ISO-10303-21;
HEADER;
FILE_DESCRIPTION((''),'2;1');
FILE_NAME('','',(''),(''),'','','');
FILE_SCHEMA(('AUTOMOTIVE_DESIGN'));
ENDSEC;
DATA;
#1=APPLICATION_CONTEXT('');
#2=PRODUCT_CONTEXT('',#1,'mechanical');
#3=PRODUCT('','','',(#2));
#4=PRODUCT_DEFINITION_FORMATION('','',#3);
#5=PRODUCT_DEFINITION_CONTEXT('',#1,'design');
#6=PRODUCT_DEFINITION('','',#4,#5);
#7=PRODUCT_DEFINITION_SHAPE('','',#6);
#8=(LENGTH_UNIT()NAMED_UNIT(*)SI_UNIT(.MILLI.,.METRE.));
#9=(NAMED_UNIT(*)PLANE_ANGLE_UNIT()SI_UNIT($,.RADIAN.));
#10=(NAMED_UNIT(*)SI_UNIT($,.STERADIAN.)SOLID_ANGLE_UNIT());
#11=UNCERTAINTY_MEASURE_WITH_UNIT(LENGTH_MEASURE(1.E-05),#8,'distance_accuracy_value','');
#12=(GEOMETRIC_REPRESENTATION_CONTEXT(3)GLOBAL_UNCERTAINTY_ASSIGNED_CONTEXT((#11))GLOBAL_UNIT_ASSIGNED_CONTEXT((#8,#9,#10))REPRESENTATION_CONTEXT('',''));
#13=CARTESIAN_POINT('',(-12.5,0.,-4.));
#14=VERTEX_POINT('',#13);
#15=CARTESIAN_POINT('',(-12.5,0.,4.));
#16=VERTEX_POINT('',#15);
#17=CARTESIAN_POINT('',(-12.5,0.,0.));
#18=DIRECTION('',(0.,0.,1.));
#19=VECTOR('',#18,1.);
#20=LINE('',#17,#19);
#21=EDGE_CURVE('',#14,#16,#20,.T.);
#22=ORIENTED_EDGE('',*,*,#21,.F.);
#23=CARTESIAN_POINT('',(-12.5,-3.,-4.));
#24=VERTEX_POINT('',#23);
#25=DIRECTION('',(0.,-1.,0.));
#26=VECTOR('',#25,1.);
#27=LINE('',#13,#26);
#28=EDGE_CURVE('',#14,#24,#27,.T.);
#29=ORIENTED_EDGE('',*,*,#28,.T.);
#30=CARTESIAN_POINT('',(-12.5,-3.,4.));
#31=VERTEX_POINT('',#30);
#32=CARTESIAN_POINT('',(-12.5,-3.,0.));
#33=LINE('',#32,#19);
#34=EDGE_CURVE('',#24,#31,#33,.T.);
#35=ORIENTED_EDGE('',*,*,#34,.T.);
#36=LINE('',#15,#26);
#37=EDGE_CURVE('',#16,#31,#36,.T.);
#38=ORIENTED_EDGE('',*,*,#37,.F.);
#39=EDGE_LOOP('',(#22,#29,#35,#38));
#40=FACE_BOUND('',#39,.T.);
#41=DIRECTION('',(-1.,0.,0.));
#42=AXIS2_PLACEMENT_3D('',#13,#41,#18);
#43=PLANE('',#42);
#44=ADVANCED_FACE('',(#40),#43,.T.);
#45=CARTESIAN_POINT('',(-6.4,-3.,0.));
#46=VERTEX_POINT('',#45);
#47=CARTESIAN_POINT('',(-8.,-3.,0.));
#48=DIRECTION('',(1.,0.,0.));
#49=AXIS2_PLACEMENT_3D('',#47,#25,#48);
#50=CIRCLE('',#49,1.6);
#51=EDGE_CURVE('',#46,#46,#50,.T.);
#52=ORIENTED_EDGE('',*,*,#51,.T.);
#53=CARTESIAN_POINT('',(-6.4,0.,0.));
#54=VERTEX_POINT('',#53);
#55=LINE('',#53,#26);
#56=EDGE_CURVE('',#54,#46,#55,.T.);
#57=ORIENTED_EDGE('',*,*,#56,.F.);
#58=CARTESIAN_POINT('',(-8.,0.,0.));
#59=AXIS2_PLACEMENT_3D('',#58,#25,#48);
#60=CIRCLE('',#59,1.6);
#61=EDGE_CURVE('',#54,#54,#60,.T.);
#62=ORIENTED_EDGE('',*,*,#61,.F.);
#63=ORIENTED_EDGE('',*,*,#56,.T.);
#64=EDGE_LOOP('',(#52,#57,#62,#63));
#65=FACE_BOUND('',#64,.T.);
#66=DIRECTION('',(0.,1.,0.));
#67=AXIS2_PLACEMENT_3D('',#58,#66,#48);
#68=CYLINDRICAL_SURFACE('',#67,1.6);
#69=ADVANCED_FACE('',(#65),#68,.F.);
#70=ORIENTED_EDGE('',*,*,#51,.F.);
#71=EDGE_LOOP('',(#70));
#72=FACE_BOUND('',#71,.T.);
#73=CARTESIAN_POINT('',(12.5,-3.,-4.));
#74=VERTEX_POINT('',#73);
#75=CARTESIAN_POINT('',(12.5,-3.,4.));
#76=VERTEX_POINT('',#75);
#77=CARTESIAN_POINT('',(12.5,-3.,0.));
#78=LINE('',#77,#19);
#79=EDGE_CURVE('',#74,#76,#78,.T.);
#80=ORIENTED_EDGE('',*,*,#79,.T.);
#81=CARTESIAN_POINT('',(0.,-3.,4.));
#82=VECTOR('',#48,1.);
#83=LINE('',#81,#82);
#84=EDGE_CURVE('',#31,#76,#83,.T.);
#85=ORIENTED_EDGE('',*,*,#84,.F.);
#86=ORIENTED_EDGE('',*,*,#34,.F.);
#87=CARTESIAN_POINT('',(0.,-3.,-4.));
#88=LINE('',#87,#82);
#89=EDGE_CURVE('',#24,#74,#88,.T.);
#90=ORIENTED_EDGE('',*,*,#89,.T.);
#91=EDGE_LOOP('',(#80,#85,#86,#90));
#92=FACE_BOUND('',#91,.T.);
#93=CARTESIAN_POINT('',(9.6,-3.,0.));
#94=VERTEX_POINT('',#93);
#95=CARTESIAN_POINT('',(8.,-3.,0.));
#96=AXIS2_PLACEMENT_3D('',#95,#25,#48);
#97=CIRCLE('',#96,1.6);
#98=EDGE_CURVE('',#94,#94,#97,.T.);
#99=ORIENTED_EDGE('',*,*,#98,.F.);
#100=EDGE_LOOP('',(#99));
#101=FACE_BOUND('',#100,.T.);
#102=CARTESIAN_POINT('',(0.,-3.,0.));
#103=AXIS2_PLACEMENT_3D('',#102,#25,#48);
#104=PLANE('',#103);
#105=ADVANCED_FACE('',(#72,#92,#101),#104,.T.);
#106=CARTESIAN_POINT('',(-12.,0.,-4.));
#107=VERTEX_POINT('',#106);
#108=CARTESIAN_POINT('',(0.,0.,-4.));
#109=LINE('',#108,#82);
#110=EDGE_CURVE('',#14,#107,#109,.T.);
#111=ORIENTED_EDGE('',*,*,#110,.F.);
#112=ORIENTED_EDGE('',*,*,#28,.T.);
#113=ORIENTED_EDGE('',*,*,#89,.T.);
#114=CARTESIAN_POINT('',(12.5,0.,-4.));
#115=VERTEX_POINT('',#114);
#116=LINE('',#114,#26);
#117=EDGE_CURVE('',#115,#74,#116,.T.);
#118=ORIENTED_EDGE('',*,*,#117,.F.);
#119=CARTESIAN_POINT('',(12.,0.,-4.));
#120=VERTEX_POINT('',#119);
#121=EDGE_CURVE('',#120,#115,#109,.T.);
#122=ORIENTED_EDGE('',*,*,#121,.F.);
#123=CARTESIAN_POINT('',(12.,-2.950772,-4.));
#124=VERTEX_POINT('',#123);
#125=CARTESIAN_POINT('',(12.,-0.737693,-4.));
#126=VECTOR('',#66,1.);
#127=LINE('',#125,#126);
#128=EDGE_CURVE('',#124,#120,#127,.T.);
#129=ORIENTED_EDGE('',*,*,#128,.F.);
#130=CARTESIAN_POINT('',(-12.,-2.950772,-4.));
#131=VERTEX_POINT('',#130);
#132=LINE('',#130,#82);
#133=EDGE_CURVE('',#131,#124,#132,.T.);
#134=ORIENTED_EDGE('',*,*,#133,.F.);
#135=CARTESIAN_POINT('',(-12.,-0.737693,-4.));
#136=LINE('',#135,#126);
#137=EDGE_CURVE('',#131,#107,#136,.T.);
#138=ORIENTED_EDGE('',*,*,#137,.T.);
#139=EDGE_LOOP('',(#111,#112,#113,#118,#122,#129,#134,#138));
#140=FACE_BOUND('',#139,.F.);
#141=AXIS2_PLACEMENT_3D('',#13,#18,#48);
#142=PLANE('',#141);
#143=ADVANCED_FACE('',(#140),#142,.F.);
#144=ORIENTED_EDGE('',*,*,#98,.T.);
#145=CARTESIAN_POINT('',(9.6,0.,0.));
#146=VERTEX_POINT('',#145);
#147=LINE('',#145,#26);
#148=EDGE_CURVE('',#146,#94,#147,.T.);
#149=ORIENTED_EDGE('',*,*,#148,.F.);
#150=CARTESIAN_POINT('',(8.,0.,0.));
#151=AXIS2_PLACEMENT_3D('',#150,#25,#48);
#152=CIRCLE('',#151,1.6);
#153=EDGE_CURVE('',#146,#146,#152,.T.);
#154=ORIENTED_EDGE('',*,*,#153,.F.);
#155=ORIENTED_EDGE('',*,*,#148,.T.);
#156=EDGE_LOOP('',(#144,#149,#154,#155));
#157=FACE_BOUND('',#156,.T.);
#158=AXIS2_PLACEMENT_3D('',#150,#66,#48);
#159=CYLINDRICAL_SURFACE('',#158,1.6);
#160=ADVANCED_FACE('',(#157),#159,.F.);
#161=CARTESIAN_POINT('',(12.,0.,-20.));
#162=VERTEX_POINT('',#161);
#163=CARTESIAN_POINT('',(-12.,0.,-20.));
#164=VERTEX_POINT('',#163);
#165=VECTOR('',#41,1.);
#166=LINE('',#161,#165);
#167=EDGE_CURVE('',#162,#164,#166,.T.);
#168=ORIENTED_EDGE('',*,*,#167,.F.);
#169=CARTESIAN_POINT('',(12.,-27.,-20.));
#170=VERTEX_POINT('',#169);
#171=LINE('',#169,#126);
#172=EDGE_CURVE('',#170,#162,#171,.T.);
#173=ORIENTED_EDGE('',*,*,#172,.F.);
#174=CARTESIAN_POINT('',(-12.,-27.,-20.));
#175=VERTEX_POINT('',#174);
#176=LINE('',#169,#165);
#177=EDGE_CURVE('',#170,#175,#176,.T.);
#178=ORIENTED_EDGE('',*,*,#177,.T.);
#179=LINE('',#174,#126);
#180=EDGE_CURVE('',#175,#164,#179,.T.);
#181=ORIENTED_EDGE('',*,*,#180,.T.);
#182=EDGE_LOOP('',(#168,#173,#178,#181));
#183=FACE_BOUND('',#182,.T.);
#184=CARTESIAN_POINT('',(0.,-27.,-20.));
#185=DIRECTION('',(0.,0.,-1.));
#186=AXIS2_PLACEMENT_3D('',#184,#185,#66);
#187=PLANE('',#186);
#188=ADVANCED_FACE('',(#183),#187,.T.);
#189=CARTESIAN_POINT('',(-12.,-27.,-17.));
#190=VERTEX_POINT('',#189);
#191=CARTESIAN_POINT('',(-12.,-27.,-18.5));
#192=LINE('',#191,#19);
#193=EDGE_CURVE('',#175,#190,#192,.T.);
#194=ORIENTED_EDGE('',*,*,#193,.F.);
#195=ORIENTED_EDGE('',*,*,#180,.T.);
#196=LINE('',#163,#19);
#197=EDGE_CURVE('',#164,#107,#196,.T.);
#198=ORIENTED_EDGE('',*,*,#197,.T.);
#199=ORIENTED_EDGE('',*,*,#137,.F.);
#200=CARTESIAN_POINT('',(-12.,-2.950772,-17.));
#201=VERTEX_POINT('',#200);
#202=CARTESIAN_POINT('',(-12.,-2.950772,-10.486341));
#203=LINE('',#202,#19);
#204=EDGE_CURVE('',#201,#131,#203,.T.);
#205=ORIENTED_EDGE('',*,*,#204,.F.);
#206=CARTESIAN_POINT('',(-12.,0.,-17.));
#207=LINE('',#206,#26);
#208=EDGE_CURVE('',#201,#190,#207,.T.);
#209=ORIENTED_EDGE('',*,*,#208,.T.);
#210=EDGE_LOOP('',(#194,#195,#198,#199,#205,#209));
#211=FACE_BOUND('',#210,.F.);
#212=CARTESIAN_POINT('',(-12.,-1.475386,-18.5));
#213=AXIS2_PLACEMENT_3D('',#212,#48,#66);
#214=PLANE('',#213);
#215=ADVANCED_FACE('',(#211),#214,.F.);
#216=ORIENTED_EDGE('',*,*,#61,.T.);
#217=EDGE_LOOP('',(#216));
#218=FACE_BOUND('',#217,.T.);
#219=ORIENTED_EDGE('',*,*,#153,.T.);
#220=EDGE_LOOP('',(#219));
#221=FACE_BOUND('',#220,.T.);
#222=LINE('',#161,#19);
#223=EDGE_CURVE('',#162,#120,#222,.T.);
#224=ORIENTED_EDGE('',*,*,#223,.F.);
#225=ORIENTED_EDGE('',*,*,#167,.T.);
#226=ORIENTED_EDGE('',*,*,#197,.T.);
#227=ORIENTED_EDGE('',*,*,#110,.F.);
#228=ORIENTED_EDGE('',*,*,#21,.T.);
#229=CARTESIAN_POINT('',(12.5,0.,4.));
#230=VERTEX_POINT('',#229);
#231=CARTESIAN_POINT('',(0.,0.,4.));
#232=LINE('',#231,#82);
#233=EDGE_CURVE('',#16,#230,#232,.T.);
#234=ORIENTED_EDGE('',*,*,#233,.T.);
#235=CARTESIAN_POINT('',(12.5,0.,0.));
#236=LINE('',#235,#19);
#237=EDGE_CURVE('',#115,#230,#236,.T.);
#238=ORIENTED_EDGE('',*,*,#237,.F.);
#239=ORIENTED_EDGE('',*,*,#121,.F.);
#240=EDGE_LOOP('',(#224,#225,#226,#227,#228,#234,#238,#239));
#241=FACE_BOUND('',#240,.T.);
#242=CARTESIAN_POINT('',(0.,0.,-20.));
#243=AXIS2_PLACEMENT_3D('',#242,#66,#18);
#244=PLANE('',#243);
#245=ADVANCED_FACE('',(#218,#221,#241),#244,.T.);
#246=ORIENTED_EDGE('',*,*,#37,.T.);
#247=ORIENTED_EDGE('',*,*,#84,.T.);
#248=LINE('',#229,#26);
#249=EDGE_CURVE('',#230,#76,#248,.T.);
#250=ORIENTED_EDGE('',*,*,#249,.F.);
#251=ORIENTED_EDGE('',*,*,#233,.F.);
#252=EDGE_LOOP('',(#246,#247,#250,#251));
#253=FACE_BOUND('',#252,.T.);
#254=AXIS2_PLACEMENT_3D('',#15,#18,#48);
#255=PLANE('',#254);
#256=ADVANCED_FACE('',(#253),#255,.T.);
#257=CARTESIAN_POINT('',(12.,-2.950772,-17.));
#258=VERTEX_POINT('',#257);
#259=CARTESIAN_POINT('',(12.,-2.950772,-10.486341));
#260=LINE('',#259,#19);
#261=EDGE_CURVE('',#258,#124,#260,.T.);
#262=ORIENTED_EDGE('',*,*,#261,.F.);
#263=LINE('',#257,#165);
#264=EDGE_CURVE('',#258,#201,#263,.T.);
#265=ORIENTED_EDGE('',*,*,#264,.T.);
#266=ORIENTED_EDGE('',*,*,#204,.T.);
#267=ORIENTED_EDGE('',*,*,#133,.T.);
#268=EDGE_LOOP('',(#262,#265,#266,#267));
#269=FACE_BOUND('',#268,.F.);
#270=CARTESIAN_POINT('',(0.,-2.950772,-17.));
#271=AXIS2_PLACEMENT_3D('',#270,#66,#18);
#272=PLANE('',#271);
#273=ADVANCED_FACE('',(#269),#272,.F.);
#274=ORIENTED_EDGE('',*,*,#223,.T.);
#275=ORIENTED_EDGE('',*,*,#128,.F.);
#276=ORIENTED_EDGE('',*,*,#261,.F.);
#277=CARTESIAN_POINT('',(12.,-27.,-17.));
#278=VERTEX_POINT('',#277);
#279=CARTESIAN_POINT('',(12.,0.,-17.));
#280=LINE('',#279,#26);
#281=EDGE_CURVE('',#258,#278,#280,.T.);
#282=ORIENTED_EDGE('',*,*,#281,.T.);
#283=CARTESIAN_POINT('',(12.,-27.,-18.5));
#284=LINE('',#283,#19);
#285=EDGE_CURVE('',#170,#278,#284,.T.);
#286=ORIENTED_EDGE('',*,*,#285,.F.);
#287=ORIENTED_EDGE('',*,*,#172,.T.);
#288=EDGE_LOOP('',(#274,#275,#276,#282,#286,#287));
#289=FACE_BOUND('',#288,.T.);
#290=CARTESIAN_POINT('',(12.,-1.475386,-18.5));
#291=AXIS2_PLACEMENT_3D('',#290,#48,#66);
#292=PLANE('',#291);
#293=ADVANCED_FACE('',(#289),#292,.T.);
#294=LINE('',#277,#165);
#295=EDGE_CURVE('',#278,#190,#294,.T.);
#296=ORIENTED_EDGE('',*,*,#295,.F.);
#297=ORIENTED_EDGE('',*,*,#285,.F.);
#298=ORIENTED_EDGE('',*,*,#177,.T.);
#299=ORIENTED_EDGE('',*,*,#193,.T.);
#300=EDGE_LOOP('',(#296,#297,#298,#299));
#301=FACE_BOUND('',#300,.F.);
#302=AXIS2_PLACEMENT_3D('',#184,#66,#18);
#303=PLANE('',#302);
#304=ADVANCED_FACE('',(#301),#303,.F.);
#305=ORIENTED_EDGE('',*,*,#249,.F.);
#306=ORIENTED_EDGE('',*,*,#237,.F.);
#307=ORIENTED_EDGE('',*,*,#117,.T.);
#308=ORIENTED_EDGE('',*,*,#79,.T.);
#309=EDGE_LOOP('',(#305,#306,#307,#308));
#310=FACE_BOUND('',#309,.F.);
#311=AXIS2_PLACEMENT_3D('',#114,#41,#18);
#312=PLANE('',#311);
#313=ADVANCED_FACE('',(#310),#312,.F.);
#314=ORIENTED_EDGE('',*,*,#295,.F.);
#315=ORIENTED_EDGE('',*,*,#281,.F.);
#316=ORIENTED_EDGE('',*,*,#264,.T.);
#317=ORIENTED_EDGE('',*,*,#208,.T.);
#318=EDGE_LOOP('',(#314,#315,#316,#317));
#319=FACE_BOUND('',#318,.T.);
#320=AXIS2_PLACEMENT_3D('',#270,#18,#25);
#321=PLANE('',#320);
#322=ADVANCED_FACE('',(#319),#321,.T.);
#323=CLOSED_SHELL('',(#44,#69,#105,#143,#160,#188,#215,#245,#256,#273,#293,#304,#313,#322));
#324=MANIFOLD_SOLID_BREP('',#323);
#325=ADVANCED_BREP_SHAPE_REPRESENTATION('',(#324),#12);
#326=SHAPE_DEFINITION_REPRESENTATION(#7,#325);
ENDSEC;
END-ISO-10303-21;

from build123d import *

# Parameters (mm, degrees)
F0_W          = 25
F0_H          = 8
F0_R          = 1.6
F1_DEPTH      = 3
F2_W          = 2.950772
F2_H          = 3
F2_W_2        = 24.049228
F2_H_2        = 13.027318
F3_DEPTH      = 12
F3_DEPTH_BACK = 12


with BuildPart() as f1:
    # F0 (on Front) → F1 (new body)
    with BuildSketch(Plane.XZ):
        Rectangle(F0_W, F0_H)
        with Locations((-8, 0)):
            Circle(F0_R, mode=Mode.SUBTRACT)
        with Locations((8, 0)):
            Circle(F0_R, mode=Mode.SUBTRACT)
    extrude(amount=F1_DEPTH)

    # F2 (on Right) → F3 (join, two sides)
    with BuildSketch(Plane.YZ) as f3_sk:
        with Locations((-1.475386, -18.5)):
            Rectangle(F2_W, F2_H)
        with Locations((-14.975386, -18.5)):
            Rectangle(F2_W_2, F2_H)
        with Locations((-1.475386, -10.486341)):
            Rectangle(F2_W, F2_H_2)
    extrude(amount=F3_DEPTH)
    extrude(f3_sk.sketch, amount=-F3_DEPTH_BACK)


solid = f1.part
